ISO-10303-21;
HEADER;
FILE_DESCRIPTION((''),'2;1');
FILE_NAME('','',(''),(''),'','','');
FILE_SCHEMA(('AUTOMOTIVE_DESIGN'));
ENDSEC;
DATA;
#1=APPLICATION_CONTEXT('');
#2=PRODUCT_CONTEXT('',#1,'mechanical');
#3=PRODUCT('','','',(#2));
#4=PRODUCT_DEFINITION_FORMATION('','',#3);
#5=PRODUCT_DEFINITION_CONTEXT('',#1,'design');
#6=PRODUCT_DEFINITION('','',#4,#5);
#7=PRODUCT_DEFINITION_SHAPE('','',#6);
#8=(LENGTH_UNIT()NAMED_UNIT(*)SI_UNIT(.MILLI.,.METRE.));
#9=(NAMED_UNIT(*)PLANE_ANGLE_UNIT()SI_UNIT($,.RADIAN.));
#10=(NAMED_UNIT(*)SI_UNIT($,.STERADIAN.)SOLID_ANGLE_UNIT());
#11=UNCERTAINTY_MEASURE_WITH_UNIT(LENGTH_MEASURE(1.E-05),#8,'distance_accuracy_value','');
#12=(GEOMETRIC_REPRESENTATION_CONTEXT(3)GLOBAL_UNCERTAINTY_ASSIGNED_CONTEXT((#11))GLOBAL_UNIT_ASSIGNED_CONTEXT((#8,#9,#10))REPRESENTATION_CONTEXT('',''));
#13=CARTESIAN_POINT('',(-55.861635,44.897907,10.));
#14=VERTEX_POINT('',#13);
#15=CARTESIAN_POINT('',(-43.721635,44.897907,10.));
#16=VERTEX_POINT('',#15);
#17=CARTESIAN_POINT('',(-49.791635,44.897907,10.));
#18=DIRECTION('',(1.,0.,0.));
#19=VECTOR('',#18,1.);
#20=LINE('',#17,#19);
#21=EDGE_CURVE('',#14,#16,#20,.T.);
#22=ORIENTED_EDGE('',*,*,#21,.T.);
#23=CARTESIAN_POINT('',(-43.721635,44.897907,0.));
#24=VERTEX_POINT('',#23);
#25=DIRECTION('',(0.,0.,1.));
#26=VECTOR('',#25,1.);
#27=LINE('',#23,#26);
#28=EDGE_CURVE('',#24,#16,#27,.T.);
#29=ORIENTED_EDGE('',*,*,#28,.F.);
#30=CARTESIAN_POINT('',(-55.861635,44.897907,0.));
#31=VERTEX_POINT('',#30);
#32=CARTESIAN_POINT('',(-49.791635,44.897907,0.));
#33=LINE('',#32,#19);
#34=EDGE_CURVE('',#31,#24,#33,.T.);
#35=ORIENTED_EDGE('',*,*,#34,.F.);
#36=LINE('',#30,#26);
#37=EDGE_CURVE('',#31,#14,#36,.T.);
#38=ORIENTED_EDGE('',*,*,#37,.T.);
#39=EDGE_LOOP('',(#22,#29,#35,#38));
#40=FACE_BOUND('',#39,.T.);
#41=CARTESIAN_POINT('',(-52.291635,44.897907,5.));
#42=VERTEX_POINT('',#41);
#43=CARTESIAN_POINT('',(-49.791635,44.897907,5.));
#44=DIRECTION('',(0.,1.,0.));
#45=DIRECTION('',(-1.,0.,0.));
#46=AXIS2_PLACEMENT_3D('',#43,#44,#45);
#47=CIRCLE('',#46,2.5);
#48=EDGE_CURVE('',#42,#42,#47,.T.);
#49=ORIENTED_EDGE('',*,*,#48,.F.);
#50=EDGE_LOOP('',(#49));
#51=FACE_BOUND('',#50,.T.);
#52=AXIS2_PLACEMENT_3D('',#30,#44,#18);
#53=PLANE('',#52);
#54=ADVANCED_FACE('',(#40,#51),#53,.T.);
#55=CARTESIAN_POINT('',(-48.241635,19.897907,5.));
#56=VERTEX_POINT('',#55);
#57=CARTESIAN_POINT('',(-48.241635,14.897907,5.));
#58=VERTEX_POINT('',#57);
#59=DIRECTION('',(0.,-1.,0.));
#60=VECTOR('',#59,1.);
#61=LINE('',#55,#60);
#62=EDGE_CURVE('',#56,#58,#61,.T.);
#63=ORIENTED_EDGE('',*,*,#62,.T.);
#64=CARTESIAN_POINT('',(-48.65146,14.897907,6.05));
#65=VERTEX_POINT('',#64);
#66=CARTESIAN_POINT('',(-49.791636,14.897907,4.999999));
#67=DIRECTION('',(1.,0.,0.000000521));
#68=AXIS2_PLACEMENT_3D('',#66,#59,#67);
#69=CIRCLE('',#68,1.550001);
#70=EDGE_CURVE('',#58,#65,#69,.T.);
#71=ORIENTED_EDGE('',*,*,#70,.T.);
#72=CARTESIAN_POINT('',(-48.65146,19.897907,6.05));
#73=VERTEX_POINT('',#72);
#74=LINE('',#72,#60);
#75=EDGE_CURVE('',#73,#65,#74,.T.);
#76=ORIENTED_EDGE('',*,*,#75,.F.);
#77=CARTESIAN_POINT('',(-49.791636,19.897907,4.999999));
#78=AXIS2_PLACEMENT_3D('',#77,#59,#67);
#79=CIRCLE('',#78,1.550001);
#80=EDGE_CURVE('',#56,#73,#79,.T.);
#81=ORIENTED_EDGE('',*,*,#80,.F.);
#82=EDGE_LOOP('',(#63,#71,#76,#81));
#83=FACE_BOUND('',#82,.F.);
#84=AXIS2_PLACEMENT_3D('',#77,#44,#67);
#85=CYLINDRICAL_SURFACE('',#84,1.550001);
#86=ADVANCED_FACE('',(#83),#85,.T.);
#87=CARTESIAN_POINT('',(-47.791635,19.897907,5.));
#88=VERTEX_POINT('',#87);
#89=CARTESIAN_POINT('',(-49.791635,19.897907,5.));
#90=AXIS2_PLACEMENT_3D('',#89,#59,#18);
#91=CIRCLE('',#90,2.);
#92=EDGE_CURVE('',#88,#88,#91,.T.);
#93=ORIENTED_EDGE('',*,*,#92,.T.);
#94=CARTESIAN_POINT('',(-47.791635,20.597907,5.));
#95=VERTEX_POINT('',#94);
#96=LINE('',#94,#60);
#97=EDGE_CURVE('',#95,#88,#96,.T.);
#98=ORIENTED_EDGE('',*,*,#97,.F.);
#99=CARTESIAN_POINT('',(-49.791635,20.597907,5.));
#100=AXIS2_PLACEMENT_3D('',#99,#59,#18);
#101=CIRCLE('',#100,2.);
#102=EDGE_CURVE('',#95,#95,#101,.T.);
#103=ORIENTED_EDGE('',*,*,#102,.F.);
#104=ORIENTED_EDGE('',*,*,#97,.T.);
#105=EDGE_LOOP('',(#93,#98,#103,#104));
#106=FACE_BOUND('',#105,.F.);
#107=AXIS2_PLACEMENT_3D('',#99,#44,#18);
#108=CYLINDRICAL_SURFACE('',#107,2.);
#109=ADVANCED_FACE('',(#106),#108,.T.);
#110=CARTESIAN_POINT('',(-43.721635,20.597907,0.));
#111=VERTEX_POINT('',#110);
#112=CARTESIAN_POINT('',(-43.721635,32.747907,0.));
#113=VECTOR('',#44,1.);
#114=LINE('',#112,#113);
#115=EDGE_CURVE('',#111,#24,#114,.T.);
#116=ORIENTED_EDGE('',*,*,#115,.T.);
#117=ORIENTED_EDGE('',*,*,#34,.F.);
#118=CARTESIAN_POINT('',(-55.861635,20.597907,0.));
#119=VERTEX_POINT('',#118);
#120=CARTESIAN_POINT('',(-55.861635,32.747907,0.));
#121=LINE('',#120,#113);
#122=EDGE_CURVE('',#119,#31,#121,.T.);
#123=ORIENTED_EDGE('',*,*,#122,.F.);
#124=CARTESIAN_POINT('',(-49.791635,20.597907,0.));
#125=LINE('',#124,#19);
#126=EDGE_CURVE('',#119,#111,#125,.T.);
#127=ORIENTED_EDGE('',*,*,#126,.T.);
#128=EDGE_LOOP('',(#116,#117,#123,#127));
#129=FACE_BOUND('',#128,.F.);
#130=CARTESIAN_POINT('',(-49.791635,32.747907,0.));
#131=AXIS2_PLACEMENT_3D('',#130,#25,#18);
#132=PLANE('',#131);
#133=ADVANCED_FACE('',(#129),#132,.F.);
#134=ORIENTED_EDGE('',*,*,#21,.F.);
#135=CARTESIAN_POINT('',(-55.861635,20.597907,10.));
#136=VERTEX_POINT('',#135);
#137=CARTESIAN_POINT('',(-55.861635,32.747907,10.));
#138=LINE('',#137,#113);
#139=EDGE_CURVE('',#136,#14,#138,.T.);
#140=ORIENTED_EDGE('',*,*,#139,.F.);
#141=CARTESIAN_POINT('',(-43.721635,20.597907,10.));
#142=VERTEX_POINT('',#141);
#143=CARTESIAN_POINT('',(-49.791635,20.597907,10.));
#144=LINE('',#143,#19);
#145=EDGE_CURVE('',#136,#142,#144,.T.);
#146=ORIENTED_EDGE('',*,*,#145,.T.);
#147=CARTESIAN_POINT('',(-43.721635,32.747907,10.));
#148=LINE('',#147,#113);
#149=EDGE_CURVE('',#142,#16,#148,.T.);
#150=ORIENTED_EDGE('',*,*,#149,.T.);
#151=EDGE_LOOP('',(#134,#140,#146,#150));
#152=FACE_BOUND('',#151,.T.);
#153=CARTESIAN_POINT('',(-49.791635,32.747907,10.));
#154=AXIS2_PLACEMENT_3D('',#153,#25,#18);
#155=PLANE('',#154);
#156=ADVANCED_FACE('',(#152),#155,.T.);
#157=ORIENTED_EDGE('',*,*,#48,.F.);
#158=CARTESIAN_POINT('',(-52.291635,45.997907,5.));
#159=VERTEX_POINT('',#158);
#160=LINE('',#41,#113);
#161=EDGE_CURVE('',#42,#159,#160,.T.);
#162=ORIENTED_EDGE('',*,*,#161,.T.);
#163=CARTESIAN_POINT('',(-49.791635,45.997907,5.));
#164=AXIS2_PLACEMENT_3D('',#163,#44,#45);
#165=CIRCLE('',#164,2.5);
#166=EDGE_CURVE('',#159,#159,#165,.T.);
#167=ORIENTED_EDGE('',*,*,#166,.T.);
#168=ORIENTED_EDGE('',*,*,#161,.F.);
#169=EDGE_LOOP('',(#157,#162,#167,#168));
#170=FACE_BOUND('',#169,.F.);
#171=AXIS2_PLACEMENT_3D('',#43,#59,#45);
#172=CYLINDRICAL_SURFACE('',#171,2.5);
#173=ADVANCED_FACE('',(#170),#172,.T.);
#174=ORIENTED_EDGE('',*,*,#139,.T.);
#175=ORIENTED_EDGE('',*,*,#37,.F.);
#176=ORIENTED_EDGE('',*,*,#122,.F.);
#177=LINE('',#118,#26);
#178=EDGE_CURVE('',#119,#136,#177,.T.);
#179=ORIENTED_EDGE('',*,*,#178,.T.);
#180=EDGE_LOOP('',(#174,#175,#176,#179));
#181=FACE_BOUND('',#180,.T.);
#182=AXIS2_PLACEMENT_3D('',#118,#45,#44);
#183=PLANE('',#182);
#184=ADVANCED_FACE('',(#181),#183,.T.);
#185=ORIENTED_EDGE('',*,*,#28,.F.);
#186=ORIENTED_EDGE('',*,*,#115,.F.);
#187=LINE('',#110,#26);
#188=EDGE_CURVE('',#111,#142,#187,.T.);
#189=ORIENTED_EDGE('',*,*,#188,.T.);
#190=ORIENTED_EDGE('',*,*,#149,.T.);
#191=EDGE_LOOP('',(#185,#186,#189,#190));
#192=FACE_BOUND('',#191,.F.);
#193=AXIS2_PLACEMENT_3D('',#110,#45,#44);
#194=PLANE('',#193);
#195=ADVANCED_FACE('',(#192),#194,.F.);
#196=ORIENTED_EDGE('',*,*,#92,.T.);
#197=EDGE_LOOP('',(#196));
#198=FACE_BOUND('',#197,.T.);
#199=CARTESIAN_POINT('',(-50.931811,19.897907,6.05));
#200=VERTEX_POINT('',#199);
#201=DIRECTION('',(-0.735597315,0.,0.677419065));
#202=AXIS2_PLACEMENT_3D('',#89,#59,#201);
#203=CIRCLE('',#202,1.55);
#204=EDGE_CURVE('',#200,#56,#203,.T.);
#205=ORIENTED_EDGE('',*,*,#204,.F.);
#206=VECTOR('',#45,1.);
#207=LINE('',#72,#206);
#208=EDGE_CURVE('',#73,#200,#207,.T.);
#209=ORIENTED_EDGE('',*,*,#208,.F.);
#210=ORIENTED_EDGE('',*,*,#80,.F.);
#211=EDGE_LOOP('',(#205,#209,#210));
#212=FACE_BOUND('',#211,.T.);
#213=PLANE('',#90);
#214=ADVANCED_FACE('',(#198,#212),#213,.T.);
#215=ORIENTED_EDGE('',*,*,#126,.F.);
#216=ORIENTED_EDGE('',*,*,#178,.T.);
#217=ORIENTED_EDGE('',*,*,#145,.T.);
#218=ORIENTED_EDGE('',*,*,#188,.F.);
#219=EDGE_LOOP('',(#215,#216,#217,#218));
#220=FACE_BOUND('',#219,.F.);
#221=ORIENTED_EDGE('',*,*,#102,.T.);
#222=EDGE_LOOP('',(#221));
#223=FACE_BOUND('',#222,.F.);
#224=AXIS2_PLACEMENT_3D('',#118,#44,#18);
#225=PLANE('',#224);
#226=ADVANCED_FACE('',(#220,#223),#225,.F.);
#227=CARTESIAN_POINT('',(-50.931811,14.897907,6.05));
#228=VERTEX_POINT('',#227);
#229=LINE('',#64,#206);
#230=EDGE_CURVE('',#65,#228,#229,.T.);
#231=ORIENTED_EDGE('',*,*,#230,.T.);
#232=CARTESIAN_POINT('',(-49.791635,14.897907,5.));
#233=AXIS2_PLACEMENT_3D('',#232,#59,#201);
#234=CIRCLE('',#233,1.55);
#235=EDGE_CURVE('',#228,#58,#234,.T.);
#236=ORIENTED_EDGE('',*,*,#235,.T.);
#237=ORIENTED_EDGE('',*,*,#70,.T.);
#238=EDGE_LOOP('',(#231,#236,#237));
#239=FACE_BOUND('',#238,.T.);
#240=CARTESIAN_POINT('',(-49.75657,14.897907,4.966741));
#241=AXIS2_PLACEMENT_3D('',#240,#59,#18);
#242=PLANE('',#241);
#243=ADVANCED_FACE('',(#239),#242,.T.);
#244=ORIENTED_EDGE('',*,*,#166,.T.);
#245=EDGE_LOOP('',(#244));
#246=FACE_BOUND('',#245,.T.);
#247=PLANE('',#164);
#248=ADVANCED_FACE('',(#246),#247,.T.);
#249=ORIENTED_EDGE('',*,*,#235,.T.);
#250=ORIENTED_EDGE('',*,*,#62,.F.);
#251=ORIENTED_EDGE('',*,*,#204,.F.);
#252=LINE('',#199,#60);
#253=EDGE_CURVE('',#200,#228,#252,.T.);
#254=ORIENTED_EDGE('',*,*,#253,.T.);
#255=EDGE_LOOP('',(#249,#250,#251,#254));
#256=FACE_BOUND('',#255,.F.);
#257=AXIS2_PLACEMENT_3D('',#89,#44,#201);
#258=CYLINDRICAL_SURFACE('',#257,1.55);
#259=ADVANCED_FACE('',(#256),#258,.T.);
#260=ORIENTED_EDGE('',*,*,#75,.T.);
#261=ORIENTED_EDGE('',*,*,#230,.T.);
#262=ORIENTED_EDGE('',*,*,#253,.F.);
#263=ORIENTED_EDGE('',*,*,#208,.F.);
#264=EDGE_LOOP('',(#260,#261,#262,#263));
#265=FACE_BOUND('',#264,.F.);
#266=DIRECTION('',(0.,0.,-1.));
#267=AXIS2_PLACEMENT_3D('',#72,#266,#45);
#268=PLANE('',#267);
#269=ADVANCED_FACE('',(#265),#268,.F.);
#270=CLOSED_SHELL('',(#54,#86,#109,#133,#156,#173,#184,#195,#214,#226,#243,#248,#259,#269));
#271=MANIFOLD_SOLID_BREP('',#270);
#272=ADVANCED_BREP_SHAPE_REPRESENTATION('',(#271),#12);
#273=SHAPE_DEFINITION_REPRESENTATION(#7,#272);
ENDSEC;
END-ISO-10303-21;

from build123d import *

# Parameters (mm, degrees)
F0_W     = 12.14
F0_H     = 24.3
F1_DEPTH = 10
F2_R     = 2.5
F3_DEPTH = 1.1
F4_R     = 2
F5_DEPTH = 0.7
F7_DEPTH = 5


with BuildPart() as f1:
    # F0 (on Top) → F1 (new body)
    with BuildSketch(Plane.XY):
        with Locations((-49.791635, 32.747907)):
            Rectangle(F0_W, F0_H)
    extrude(amount=F1_DEPTH)

    # F2 (on face) → F3 (join)
    with BuildSketch(Plane(origin=(0, 44.897907, 0), x_dir=(-1, 0, 0), z_dir=(0, 1, 0))):
        with Locations((49.791635, 5)):
            Circle(F2_R)
    extrude(amount=F3_DEPTH)

    # F4 (on face) → F5 (join)
    with BuildSketch(Plane.XZ.offset(-20.597907)):
        with Locations((-49.791635, 5)):
            Circle(F4_R)
    extrude(amount=F5_DEPTH)

    # F6 (on face) → F7 (join)
    with BuildSketch(Plane.XZ.offset(-19.897907)):
        with BuildLine():
            ThreePointArc((-50.931811, 6.05), (-50.355208, 3.556087), (-48.241635, 5))
            ThreePointArc((-48.241635, 5), (-48.347722, 5.563573), (-48.65146, 6.05))
            Line((-48.65146, 6.05), (-50.931811, 6.05))
        make_face()
    extrude(amount=F7_DEPTH)


with BuildPart() as f8_1:
    # F8: copy of F1
    add(f1.part.moved(Location((20, 0, 0))))


solid = f1.part
